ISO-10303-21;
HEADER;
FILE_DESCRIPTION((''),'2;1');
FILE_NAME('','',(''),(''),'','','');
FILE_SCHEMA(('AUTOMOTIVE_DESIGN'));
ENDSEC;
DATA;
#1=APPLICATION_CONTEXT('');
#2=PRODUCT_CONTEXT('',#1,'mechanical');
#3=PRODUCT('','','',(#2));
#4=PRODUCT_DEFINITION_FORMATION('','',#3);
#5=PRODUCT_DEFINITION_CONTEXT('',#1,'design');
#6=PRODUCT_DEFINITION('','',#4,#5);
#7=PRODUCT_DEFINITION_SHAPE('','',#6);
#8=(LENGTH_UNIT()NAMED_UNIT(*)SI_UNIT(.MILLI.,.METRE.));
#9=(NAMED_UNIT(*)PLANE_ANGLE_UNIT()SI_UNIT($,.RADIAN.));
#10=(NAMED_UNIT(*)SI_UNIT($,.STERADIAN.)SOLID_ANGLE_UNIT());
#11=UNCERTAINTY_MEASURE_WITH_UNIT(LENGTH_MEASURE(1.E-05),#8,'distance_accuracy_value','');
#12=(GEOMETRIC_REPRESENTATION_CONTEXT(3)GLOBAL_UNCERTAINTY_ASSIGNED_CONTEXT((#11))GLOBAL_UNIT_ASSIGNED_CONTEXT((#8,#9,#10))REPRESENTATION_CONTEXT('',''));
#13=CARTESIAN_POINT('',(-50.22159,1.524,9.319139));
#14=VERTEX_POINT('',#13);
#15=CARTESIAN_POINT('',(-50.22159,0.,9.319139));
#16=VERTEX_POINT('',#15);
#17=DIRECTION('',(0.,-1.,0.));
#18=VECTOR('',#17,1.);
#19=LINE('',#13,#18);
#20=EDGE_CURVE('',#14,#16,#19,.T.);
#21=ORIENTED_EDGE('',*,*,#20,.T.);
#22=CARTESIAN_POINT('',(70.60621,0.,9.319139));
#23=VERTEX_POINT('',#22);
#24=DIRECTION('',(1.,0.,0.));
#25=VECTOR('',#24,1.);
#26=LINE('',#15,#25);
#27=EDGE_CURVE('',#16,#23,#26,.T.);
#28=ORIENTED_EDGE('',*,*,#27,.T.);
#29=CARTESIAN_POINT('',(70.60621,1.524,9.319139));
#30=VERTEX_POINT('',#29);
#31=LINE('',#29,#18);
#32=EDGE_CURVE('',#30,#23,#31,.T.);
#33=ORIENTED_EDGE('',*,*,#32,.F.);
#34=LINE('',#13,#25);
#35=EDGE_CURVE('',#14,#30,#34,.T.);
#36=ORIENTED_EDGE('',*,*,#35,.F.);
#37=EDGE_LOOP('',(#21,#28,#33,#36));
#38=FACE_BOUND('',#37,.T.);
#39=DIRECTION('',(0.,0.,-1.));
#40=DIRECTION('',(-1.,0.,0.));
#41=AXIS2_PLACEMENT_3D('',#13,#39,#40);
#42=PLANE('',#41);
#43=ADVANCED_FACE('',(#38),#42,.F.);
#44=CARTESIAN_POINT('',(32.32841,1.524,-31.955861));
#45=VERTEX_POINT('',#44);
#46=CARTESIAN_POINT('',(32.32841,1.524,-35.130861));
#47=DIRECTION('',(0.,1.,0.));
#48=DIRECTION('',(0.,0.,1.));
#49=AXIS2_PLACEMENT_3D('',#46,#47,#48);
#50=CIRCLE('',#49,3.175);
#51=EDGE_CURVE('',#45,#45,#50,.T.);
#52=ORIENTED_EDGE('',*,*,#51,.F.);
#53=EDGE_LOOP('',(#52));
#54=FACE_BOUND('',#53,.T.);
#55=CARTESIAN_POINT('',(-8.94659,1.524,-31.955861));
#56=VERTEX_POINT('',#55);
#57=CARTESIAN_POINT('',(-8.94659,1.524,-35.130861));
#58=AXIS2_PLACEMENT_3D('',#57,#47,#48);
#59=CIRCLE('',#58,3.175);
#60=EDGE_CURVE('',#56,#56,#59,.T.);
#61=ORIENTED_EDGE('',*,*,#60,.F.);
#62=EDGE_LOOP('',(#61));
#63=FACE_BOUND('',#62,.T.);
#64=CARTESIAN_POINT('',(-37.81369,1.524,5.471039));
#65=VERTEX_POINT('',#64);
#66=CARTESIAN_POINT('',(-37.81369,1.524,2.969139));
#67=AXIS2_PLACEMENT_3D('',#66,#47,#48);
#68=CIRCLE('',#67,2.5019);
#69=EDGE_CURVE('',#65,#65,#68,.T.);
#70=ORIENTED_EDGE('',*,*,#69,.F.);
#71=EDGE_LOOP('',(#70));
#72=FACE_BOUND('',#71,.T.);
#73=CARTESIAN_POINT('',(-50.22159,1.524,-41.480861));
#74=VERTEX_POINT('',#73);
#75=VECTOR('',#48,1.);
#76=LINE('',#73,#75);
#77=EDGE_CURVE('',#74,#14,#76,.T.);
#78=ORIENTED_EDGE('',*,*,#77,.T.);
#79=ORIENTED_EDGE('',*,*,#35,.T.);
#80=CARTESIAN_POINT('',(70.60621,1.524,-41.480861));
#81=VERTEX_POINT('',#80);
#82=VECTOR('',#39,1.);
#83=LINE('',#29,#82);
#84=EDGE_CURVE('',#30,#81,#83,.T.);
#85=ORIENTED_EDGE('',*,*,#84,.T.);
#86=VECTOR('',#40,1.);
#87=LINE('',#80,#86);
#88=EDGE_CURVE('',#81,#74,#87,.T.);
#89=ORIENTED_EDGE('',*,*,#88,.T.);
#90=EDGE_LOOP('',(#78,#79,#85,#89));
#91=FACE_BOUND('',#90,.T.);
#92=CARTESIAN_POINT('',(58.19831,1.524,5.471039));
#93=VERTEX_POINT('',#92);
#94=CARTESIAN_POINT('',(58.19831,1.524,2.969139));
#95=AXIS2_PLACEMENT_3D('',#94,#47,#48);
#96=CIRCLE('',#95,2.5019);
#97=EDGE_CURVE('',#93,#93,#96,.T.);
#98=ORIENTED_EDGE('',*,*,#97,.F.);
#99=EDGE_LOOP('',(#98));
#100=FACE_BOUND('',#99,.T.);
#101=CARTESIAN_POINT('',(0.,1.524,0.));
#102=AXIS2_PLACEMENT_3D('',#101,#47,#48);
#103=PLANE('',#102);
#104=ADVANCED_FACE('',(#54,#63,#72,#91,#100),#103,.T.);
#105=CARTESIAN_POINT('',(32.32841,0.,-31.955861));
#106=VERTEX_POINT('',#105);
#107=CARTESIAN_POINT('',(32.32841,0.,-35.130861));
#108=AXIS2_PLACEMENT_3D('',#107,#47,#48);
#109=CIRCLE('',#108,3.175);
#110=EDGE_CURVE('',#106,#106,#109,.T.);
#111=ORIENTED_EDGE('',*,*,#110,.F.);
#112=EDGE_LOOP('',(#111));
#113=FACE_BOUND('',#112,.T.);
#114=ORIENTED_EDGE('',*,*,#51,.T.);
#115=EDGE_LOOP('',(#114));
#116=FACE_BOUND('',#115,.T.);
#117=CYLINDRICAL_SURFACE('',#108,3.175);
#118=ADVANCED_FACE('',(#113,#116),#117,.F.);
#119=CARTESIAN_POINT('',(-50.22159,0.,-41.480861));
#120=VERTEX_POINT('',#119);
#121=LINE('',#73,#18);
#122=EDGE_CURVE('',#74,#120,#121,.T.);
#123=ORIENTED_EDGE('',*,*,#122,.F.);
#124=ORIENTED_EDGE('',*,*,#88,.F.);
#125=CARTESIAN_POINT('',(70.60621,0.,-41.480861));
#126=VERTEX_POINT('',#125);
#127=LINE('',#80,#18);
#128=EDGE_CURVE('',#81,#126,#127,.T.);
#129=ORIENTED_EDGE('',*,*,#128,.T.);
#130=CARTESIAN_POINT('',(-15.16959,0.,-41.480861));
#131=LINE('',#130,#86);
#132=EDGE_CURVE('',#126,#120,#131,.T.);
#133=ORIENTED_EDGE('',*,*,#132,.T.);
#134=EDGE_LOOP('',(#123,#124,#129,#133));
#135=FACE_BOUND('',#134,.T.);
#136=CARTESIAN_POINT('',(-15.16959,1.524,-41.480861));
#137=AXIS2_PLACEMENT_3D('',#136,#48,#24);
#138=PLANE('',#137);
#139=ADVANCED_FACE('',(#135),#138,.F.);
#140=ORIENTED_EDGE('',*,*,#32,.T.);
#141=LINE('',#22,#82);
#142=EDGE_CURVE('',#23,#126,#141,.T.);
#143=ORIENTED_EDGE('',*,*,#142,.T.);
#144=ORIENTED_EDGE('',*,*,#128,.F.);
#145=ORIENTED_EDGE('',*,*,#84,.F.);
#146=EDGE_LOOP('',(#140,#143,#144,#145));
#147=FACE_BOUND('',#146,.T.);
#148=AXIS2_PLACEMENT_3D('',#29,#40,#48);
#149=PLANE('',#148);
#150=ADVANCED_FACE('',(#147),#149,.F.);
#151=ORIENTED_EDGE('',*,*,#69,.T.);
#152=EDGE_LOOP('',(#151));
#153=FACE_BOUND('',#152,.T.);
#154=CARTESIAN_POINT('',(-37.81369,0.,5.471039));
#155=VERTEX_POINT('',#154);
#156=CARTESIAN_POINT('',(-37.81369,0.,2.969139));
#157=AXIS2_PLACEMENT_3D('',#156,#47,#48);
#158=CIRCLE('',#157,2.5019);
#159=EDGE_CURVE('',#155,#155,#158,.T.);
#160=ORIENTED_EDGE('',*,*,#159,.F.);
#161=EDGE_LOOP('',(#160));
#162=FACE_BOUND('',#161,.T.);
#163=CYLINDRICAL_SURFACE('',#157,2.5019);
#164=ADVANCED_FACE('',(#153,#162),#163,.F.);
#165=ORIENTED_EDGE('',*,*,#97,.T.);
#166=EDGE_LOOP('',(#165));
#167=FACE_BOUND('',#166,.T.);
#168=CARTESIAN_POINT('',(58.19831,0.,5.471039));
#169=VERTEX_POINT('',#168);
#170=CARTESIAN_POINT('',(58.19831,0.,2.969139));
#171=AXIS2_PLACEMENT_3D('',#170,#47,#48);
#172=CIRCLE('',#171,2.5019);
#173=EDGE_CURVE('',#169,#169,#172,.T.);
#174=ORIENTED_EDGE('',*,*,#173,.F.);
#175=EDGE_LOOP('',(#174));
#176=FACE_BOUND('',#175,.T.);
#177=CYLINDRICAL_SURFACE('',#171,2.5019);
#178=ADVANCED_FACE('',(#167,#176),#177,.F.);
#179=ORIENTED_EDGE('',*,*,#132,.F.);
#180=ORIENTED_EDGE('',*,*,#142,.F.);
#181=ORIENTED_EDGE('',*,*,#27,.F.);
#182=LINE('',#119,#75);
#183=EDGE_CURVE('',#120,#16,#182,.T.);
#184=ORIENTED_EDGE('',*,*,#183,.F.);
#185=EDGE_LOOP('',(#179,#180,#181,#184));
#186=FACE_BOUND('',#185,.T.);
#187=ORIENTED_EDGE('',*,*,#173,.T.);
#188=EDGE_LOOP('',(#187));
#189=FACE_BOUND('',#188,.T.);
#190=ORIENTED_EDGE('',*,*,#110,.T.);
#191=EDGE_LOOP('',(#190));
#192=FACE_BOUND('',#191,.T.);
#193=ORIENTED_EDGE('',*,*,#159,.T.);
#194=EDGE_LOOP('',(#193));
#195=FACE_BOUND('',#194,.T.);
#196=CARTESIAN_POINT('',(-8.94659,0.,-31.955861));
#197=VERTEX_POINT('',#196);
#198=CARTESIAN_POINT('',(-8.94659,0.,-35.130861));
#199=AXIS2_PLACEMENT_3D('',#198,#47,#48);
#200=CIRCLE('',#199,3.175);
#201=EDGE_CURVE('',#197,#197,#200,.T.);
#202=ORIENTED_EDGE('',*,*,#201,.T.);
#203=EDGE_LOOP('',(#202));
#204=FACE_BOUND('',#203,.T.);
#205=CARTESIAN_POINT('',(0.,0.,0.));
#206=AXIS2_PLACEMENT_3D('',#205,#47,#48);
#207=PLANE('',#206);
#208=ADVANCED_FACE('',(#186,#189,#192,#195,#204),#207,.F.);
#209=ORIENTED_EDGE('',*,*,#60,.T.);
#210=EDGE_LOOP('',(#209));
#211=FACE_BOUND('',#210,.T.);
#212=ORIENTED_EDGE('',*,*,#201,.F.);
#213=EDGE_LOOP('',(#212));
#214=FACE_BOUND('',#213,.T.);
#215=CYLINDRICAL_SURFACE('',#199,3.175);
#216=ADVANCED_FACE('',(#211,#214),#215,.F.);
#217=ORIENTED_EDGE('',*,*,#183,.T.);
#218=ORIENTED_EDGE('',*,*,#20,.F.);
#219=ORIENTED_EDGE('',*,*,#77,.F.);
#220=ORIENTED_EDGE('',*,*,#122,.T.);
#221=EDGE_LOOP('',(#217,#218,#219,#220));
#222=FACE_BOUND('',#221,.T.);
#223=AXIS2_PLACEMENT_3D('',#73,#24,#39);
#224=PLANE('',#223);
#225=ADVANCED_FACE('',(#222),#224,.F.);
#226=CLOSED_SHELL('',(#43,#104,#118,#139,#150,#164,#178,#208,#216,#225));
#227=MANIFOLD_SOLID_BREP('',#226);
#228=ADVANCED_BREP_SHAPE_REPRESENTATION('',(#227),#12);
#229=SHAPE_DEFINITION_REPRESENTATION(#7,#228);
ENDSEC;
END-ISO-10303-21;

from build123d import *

# Parameters (mm, degrees)
BOSS_EXTRUDE1_DEPTH = 1.524
SKETCH2_R           = 2.5019
SKETCH2_R_2         = 3.175
CUT_EXTRUDE1_DEPTH  = 2.524


with BuildPart() as part:
    # Sketch1 → Boss-Extrude1 (new body)
    with BuildSketch(Plane(origin=(0, 0, 0), x_dir=(1, 0, 0), z_dir=(0, 1, 0))):
        Polygon((-50.221590033, -9.319139437), (70.606209967, -9.319139437), (70.606209967, 41.480860563), (35.630409967, 41.480860563), (-15.169590033, 41.480860563), (-50.221590033, 41.480860563), align=None)
    extrude(amount=BOSS_EXTRUDE1_DEPTH)

    # Sketch2 → Cut-Extrude1 (cut, through all)
    with BuildSketch(Plane(origin=(0, 1.524, 0), x_dir=(1, 0, 0), z_dir=(0, 1, 0))):
        with Locations((-37.813690033, -2.969139437)):
            Circle(SKETCH2_R)
        with Locations((58.198309967, -2.969139437)):
            Circle(SKETCH2_R)
        with Locations((32.328409967, 35.130860563)):
            Circle(SKETCH2_R_2)
        with Locations((-8.946590033, 35.130860563)):
            Circle(SKETCH2_R_2)
    extrude(amount=-CUT_EXTRUDE1_DEPTH, mode=Mode.SUBTRACT)


solid = part.part
